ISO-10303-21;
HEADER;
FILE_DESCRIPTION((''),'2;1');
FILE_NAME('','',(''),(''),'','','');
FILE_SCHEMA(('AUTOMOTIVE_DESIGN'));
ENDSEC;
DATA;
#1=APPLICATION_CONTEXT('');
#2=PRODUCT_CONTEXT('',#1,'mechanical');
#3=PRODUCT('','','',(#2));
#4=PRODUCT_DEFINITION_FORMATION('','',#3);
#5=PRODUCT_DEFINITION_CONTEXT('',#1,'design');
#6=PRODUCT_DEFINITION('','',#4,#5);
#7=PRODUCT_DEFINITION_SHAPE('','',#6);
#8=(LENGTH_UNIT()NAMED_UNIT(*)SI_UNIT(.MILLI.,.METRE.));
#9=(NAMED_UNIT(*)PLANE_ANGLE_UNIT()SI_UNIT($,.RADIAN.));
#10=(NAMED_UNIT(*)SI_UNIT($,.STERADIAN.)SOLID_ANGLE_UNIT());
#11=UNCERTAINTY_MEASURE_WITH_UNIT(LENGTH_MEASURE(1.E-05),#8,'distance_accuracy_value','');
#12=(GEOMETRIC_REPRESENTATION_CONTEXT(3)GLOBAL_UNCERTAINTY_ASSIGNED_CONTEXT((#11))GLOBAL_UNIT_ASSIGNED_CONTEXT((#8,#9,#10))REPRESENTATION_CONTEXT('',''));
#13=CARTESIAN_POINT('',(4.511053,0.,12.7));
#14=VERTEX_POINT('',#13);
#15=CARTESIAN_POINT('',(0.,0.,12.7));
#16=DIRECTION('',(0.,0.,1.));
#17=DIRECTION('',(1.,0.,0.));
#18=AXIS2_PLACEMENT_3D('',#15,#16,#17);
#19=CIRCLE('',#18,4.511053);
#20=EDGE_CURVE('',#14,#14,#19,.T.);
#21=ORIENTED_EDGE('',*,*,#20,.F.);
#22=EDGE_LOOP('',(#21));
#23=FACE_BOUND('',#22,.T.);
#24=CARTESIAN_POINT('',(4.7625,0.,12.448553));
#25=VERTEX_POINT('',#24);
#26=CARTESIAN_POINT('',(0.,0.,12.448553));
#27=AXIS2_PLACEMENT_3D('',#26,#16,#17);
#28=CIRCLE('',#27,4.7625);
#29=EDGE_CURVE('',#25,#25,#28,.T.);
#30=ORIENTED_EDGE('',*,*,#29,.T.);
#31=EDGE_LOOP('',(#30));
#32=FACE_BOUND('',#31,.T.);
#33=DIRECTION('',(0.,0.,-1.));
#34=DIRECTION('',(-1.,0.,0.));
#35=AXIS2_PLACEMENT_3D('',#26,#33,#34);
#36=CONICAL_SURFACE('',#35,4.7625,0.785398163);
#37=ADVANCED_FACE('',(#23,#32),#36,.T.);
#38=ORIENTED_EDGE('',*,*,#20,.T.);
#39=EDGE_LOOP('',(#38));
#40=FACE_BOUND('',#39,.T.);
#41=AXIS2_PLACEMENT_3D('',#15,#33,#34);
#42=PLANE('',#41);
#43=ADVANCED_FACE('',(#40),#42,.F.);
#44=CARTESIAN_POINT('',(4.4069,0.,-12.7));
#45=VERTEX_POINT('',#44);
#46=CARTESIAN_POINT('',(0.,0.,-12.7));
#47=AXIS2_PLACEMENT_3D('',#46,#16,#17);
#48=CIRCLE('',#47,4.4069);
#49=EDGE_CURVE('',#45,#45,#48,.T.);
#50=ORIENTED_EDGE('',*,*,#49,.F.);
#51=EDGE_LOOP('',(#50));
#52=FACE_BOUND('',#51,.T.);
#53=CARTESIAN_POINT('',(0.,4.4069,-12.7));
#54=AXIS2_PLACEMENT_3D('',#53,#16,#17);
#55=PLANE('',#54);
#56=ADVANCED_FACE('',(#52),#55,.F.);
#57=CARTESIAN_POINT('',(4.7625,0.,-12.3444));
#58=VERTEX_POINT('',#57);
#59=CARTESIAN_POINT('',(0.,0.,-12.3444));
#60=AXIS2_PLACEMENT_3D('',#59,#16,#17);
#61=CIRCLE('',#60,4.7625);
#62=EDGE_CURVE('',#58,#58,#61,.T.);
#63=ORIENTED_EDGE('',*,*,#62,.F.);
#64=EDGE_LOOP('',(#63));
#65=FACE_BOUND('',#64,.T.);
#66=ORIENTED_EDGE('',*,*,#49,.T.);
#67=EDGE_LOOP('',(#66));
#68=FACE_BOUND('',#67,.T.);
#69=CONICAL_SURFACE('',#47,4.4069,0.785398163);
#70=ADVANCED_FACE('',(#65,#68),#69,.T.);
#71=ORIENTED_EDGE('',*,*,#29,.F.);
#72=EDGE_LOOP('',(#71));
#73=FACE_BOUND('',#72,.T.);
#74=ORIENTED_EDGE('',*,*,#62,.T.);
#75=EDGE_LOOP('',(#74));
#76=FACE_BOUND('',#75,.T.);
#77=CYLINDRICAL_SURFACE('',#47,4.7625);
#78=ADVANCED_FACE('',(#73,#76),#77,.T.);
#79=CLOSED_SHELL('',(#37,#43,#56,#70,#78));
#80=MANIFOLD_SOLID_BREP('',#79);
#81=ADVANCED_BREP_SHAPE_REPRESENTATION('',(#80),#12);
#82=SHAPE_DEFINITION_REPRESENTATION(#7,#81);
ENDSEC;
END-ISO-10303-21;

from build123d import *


with BuildPart() as part:
    # Sketch1 → Revolve1 (revolve)
    with BuildSketch(Plane(origin=(0, 0, 0), x_dir=(0, 0, -1), z_dir=(1, 0, 0))):
        Polygon((-12.7, 0), (-12.7, 4.511052829), (-12.448552829, 4.7625), (12.3444, 4.7625), (12.7, 4.4069), (12.7, 0), align=None)
    revolve(axis=Axis((0, 0, -12.7), (0, 0, 1)))


solid = part.part
